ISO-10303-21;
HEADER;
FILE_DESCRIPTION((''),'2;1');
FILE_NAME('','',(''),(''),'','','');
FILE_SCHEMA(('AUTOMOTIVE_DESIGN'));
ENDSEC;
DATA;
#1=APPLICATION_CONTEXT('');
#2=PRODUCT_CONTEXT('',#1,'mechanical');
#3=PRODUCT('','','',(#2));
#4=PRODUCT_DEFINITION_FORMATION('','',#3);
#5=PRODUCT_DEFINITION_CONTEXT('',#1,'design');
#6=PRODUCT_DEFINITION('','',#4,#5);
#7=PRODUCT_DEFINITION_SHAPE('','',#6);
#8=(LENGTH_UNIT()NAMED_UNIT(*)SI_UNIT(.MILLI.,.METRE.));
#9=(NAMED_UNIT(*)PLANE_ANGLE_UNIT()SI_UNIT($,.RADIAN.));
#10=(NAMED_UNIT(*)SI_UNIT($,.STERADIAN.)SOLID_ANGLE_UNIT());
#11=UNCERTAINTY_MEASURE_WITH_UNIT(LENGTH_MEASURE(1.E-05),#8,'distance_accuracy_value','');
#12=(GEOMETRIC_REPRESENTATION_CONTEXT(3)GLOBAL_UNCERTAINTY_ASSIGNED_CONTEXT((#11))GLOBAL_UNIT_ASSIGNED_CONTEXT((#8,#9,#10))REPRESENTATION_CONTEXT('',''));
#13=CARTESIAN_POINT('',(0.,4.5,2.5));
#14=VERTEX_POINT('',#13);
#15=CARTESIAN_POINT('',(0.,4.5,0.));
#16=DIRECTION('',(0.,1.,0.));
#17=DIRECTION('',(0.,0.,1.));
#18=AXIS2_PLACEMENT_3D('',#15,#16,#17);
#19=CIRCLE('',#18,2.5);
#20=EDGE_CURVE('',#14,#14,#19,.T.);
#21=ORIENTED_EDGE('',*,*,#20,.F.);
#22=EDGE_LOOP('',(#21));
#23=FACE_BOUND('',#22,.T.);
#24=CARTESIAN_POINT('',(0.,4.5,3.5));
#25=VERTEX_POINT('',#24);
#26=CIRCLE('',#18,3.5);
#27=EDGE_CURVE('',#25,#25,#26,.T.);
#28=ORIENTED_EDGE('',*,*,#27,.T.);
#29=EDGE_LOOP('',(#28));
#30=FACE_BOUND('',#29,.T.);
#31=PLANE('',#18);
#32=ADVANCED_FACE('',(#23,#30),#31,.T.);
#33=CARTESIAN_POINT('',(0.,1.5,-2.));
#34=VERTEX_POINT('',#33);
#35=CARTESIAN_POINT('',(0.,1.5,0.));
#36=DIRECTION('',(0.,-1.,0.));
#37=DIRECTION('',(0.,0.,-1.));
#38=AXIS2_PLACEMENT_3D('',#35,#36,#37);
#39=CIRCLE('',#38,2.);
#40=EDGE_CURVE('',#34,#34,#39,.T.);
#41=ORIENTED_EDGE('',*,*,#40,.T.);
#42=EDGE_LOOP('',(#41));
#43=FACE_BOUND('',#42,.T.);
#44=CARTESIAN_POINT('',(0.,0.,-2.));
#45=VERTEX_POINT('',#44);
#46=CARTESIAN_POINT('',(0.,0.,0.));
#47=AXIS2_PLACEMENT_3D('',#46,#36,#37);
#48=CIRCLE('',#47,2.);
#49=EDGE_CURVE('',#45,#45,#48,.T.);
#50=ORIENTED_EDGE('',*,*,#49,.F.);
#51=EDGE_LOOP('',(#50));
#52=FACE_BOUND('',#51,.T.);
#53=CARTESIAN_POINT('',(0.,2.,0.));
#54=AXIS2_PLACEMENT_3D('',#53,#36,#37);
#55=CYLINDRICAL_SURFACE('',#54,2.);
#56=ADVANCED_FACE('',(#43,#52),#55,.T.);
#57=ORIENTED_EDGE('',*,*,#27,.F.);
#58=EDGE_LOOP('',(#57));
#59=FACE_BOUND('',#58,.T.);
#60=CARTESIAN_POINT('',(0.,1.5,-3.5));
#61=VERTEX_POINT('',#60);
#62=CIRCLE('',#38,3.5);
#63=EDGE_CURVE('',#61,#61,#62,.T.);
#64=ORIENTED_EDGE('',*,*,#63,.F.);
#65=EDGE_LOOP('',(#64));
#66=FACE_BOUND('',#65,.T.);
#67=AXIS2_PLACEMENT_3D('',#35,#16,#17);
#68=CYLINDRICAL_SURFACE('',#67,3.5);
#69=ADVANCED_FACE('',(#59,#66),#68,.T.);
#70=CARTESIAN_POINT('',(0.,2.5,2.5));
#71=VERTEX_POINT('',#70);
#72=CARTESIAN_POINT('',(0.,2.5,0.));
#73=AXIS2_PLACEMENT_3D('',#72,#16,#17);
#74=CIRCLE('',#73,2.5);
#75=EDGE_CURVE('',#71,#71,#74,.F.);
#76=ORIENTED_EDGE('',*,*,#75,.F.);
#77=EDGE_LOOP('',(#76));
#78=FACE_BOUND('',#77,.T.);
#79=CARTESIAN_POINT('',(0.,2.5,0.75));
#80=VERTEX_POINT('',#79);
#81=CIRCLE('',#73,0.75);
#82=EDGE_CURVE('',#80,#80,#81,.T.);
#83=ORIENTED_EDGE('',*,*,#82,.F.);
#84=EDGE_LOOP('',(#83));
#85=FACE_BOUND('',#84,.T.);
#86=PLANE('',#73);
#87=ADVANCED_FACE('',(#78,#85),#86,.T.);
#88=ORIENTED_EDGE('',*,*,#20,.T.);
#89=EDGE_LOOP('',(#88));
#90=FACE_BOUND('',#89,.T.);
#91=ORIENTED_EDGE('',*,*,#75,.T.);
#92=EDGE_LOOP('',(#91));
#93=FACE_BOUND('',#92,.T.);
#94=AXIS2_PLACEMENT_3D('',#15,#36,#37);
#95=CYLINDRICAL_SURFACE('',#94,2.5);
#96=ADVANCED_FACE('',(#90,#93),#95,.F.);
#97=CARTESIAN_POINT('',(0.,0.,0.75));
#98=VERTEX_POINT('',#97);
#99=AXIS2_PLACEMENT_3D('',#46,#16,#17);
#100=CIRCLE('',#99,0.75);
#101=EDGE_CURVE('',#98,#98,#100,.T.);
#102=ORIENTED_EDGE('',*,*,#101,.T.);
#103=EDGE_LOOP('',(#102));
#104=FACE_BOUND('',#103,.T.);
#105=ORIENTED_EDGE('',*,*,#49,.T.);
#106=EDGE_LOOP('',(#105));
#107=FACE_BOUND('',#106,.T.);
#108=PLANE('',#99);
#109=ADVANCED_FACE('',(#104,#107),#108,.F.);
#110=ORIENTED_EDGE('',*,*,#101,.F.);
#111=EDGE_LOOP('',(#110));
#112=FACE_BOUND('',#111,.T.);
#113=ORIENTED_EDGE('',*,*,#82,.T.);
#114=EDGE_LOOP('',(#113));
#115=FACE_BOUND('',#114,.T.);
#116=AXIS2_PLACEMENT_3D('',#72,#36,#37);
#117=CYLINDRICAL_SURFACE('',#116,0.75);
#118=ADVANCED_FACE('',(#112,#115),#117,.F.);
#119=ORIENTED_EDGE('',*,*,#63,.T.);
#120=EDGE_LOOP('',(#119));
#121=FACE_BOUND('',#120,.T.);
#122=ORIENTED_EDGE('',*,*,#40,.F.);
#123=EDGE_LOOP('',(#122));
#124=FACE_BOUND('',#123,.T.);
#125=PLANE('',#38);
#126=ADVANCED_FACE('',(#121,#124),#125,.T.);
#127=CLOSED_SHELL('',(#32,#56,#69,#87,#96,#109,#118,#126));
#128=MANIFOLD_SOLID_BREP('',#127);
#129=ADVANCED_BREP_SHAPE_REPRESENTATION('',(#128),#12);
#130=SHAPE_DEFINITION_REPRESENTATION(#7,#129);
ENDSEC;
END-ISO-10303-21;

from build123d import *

# Parameters (mm, degrees)
SKETCH1_R           = 1.5
SKETCH1_R_2         = 0.75
BOSS_EXTRUDE1_DEPTH = 2.5
SKETCH2_R           = 3.5
SKETCH2_R_2         = 2.5
BOSS_EXTRUDE2_DEPTH = 2
BOSS_EXTRUDE3_START = 1
SKETCH3_R           = 3.5
SKETCH3_R_2         = 0.75
BOSS_EXTRUDE3_DEPTH = 1
SKETCH4_R           = 2
SKETCH4_R_2         = 0.75
BOSS_EXTRUDE4_DEPTH = 2


with BuildPart() as part:
    # Sketch1 → Boss-Extrude1 (new body)
    with BuildSketch(Plane(origin=(0, 0, 0), x_dir=(1, 0, 0), z_dir=(0, 1, 0))):
        with Locations(Location((0, 0, 0), (0, 0, 270))):
            Circle(SKETCH1_R)
        with Locations(Location((0, 0, 0), (0, 0, 270))):
            Circle(SKETCH1_R_2, mode=Mode.SUBTRACT)
    extrude(amount=BOSS_EXTRUDE1_DEPTH)



with BuildPart() as body_2:
    # Sketch2 → Boss-Extrude2 (new body)
    with BuildSketch(Plane(origin=(0, 2.5, 0), x_dir=(1, 0, 0), z_dir=(0, 1, 0))):
        with Locations(Location((0, 0, 0), (0, 0, 270))):
            Circle(SKETCH2_R)
        with Locations(Location((0, 0, 0), (0, 0, 270))):
            Circle(SKETCH2_R_2, mode=Mode.SUBTRACT)
    extrude(amount=BOSS_EXTRUDE2_DEPTH)


with BuildPart() as part_1:
    add(part.part)

    add(body_2.part)  # Boss-Extrude3 merges body 2
    # Sketch3 → Boss-Extrude3 (add)
    with BuildSketch(Plane(origin=(0, 2.5, 0), x_dir=(-1, 0, 0), z_dir=(0, -1, 0)).offset(BOSS_EXTRUDE3_START)):
        with Locations(Location((0, 0, 0), (0, 0, 270))):
            Circle(SKETCH3_R)
        with Locations(Location((0, 0, 0), (0, 0, 270))):
            Circle(SKETCH3_R_2, mode=Mode.SUBTRACT)
    extrude(amount=-BOSS_EXTRUDE3_DEPTH)

    # Sketch4 → Boss-Extrude4 (add)
    with BuildSketch(Plane(origin=(0, 0, 0), x_dir=(-1, 0, 0), z_dir=(0, -1, 0))):
        with Locations(Location((0, 0, 0), (0, 0, 90))):
            Circle(SKETCH4_R)
        with Locations(Location((0, 0, 0), (0, 0, 270))):
            Circle(SKETCH4_R_2, mode=Mode.SUBTRACT)
    extrude(amount=-BOSS_EXTRUDE4_DEPTH)


solid = part_1.part
